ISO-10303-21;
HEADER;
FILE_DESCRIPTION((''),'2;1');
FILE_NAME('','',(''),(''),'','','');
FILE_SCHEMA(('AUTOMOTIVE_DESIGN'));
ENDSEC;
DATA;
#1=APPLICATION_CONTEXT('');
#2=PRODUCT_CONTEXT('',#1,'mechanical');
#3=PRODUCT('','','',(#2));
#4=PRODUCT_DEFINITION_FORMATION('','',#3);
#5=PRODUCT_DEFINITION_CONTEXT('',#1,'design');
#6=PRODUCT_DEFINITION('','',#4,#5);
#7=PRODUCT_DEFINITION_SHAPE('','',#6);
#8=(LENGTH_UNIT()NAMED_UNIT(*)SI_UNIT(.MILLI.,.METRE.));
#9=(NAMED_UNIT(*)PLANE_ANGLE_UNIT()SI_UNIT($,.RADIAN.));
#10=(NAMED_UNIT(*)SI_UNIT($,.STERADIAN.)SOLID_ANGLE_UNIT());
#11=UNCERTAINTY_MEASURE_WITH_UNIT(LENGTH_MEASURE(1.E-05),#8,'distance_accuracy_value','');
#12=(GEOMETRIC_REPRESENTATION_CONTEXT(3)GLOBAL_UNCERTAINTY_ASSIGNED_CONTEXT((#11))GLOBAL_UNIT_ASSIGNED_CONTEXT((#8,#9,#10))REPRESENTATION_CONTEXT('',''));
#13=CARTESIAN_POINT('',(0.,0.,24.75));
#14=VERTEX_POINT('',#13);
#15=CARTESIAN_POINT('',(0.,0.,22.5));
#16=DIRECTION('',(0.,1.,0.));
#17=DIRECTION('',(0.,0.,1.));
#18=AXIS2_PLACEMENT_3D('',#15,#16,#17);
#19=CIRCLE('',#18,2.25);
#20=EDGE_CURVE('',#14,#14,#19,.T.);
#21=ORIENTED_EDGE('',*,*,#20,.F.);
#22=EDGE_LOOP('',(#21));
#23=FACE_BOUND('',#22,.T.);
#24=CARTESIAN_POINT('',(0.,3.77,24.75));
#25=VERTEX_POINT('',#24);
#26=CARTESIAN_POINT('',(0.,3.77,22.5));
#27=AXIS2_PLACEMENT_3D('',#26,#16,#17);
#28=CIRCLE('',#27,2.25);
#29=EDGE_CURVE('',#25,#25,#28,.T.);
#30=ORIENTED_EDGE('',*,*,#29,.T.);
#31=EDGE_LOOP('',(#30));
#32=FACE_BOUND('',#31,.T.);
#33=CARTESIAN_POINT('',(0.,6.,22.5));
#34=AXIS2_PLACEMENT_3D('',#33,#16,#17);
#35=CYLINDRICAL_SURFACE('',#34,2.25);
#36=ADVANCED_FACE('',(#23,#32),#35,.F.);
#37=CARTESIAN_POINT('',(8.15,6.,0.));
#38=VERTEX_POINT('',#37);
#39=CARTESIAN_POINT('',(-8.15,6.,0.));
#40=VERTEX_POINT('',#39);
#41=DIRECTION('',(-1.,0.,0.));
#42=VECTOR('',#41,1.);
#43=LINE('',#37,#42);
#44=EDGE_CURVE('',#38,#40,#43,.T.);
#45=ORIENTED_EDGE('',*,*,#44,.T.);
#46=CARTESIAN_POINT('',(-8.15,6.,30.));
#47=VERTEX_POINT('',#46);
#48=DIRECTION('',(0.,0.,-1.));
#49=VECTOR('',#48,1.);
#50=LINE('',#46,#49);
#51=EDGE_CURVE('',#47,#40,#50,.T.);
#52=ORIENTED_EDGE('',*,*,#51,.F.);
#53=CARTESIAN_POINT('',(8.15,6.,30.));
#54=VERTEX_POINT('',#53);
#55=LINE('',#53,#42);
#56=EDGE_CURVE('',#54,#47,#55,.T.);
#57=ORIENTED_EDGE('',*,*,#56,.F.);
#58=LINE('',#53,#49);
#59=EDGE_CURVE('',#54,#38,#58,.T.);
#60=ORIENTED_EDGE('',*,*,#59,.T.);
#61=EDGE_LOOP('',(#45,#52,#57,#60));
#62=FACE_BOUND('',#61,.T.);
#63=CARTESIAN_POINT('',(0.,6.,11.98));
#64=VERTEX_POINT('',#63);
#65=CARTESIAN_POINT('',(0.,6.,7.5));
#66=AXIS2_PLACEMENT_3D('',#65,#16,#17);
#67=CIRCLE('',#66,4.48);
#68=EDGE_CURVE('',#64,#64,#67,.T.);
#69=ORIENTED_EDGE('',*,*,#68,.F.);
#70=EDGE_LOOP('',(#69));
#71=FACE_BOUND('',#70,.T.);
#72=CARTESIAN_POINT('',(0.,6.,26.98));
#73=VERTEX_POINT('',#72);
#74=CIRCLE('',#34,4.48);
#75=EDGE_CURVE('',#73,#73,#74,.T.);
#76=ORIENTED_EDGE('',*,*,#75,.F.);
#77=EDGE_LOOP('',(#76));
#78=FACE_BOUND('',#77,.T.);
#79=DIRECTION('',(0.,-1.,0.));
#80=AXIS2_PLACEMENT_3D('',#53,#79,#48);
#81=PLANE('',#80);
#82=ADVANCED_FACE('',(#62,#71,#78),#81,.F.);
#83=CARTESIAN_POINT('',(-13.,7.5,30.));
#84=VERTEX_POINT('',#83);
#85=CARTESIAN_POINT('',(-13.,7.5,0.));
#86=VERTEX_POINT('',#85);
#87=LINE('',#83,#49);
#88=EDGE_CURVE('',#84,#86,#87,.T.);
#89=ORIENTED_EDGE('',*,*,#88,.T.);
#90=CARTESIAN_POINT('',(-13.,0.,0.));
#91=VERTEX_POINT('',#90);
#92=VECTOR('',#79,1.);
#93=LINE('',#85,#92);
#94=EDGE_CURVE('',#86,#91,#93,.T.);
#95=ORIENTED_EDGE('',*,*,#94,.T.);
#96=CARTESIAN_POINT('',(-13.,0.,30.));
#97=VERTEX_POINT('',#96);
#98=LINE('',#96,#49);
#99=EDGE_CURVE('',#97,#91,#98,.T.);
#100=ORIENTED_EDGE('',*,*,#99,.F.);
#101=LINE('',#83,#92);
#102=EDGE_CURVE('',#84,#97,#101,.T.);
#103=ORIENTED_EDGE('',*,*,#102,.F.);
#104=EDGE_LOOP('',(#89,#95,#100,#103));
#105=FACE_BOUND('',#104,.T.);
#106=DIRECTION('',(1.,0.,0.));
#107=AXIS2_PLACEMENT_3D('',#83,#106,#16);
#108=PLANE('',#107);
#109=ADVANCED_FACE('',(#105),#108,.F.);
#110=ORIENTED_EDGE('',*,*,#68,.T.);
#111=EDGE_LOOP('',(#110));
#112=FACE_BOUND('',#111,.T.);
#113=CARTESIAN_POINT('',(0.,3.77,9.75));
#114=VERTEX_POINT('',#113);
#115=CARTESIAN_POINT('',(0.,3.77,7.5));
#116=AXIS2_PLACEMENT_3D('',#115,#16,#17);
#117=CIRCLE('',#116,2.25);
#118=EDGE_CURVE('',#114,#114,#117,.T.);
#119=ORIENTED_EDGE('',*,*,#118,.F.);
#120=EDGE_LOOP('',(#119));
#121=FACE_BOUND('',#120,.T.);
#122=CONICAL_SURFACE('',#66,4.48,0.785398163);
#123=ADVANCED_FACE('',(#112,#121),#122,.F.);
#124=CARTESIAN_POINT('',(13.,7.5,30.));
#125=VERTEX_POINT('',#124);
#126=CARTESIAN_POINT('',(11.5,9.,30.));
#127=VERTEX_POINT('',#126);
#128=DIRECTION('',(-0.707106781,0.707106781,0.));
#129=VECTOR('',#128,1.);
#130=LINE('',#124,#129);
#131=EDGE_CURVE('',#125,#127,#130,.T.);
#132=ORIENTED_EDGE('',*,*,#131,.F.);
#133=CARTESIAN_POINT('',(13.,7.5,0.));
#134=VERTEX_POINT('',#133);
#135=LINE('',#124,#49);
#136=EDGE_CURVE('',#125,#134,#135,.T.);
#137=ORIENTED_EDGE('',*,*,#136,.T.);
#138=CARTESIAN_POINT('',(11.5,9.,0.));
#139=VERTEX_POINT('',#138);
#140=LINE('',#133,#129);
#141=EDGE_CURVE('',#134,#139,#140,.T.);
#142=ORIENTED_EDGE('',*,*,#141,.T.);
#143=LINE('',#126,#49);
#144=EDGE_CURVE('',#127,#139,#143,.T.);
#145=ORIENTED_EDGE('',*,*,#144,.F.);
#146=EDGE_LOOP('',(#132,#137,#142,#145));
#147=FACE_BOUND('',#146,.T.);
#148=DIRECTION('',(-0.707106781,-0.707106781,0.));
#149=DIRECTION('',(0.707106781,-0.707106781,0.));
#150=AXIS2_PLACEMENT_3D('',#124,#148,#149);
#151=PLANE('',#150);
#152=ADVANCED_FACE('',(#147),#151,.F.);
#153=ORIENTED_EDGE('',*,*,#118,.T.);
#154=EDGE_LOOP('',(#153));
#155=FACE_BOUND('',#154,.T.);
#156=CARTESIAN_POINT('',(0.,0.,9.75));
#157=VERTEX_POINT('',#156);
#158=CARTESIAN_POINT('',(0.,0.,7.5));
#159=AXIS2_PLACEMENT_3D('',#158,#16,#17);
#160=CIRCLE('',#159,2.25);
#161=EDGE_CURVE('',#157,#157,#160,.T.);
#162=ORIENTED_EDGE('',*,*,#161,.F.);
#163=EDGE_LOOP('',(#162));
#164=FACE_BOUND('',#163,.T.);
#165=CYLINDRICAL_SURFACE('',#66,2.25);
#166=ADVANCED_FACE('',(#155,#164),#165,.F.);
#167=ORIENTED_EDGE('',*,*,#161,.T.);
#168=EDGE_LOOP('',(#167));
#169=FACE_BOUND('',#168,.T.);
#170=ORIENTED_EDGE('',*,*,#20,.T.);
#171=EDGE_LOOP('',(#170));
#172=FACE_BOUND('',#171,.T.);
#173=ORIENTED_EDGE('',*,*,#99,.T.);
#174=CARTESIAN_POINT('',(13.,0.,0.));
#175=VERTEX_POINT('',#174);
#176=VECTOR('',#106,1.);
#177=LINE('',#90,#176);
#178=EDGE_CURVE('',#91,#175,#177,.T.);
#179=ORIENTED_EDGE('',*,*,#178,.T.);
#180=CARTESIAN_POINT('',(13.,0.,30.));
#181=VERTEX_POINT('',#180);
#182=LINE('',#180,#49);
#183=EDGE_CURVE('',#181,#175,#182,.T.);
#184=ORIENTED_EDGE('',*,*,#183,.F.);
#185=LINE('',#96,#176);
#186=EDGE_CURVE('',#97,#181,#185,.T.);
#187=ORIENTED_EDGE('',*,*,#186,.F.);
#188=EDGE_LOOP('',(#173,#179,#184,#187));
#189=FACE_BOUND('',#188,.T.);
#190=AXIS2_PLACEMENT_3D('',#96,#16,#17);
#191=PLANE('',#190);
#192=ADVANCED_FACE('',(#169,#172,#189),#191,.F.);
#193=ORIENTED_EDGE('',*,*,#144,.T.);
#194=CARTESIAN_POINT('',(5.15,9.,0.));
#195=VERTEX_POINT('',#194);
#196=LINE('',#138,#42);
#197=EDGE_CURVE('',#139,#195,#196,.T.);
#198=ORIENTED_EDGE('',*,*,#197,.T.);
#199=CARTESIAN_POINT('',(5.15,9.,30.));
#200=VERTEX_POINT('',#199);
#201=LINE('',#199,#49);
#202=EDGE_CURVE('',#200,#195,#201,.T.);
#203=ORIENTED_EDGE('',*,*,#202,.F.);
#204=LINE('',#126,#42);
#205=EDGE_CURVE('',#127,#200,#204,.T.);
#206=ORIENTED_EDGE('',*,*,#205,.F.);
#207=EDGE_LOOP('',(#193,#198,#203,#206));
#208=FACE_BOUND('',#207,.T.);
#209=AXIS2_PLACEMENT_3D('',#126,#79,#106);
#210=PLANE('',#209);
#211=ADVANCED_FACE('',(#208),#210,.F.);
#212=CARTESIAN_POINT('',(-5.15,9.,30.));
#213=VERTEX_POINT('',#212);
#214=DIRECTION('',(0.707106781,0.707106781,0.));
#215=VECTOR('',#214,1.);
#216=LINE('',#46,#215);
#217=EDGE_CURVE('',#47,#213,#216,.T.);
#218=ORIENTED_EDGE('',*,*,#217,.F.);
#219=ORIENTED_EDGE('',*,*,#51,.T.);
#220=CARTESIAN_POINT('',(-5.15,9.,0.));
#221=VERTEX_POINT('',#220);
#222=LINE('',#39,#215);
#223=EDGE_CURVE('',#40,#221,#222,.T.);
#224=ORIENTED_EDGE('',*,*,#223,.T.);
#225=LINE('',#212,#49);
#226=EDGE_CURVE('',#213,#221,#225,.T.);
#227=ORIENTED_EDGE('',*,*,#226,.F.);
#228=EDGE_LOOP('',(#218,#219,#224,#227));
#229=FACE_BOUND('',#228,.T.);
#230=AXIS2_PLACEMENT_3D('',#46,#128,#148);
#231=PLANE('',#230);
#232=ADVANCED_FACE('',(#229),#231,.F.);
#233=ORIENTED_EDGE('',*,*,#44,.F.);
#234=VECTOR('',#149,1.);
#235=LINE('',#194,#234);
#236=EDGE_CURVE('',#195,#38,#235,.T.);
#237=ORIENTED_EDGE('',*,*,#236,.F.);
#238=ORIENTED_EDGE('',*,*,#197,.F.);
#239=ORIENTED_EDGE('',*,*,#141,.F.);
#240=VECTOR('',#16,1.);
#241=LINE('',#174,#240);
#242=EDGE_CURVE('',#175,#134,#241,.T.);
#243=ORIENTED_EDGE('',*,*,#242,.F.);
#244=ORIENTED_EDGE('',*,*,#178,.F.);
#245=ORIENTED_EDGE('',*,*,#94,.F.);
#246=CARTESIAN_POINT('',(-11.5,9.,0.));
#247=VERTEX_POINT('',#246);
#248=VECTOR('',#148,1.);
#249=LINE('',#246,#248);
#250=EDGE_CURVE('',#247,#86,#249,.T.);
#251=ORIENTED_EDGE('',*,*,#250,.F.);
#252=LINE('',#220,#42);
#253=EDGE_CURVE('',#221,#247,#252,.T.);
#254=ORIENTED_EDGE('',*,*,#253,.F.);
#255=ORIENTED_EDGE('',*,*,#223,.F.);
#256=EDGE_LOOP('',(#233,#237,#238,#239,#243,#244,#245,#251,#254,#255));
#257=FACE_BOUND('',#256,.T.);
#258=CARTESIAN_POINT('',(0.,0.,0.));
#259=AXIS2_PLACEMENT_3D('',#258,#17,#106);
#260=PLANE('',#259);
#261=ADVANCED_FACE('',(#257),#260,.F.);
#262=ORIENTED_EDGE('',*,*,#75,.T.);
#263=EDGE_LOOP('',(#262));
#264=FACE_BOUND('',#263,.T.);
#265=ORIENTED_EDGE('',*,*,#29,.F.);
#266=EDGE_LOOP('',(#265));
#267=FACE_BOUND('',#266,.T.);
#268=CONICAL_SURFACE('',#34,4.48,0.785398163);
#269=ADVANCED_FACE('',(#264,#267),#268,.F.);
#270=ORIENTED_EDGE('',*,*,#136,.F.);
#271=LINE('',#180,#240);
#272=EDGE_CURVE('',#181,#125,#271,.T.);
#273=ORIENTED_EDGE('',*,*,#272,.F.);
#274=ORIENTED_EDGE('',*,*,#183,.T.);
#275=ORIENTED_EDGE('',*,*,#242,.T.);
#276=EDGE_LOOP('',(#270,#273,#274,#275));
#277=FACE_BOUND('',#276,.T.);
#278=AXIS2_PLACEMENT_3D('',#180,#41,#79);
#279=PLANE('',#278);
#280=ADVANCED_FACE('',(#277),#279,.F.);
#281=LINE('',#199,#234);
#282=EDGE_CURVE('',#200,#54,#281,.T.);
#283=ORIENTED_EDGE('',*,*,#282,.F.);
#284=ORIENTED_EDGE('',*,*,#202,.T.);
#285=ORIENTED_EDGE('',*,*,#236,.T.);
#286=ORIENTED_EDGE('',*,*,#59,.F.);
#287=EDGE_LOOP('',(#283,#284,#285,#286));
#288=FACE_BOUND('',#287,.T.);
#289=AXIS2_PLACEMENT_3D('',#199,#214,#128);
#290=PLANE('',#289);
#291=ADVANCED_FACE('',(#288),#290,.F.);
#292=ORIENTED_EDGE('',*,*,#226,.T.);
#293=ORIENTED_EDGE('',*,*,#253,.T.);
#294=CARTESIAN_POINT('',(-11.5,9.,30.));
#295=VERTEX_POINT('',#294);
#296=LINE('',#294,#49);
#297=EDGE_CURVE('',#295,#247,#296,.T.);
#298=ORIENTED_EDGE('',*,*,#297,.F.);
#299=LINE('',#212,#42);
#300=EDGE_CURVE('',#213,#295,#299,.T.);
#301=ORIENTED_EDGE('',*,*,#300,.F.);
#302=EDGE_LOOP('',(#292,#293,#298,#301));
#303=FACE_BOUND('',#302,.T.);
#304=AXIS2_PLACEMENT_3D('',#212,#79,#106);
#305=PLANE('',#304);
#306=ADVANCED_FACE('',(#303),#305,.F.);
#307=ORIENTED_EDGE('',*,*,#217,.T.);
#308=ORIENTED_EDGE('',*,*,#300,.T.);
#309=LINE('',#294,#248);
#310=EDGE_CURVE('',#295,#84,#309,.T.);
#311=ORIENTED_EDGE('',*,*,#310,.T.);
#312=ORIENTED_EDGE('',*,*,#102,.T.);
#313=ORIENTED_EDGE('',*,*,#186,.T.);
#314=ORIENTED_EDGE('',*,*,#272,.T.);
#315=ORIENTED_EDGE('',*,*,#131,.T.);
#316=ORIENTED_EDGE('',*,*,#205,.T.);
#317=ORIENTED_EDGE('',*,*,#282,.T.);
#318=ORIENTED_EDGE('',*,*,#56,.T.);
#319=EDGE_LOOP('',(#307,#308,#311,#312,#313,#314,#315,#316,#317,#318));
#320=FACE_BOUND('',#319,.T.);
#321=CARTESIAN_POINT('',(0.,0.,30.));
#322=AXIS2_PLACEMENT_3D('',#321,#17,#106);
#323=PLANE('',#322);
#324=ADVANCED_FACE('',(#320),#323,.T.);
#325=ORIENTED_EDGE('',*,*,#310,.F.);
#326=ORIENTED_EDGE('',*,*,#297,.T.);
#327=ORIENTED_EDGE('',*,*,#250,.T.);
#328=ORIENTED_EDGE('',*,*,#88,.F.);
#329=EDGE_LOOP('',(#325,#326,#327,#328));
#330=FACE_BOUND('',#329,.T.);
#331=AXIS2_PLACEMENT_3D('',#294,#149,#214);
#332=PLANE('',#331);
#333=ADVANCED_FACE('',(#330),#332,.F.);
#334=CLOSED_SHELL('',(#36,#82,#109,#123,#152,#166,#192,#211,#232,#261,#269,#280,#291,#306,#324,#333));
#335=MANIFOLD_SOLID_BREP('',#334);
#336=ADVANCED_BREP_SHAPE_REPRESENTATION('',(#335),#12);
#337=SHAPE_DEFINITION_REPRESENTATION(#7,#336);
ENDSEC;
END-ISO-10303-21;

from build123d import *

# Parameters (mm, degrees)
BOSS_EXTRUDE1_DEPTH                                  = 30
CSK_FOR_M4_HEX_SOCKET_COUNTERSUNK_CAP_SC_D           = 4.5
CSK_FOR_M4_HEX_SOCKET_COUNTERSUNK_CAP_SC_CSINK_D     = 8.96
CSK_FOR_M4_HEX_SOCKET_COUNTERSUNK_CAP_SC_CSINK_ANGLE = 90


with BuildPart() as part:
    # Sketch2 → Boss-Extrude1 (new body)
    with BuildSketch(Plane.XY):
        Polygon((-13, 0), (13, 0), (13, 7.5), (11.5, 9), (5.15, 9), (8.15, 6), (-8.15, 6), (-5.15, 9), (-11.5, 9), (-13, 7.5), align=None)
    extrude(amount=BOSS_EXTRUDE1_DEPTH)

    # CSK for M4 Hex Socket Countersunk Cap Screw1 (through all)
    with Locations(Plane(origin=(0, 6, 0), x_dir=(1, 0, 0), z_dir=(0, 1, 0))):
        with Locations((0, -22.5), (0, -7.5)):
            CounterSinkHole(CSK_FOR_M4_HEX_SOCKET_COUNTERSUNK_CAP_SC_D / 2, CSK_FOR_M4_HEX_SOCKET_COUNTERSUNK_CAP_SC_CSINK_D / 2, counter_sink_angle=CSK_FOR_M4_HEX_SOCKET_COUNTERSUNK_CAP_SC_CSINK_ANGLE)


solid = part.part
